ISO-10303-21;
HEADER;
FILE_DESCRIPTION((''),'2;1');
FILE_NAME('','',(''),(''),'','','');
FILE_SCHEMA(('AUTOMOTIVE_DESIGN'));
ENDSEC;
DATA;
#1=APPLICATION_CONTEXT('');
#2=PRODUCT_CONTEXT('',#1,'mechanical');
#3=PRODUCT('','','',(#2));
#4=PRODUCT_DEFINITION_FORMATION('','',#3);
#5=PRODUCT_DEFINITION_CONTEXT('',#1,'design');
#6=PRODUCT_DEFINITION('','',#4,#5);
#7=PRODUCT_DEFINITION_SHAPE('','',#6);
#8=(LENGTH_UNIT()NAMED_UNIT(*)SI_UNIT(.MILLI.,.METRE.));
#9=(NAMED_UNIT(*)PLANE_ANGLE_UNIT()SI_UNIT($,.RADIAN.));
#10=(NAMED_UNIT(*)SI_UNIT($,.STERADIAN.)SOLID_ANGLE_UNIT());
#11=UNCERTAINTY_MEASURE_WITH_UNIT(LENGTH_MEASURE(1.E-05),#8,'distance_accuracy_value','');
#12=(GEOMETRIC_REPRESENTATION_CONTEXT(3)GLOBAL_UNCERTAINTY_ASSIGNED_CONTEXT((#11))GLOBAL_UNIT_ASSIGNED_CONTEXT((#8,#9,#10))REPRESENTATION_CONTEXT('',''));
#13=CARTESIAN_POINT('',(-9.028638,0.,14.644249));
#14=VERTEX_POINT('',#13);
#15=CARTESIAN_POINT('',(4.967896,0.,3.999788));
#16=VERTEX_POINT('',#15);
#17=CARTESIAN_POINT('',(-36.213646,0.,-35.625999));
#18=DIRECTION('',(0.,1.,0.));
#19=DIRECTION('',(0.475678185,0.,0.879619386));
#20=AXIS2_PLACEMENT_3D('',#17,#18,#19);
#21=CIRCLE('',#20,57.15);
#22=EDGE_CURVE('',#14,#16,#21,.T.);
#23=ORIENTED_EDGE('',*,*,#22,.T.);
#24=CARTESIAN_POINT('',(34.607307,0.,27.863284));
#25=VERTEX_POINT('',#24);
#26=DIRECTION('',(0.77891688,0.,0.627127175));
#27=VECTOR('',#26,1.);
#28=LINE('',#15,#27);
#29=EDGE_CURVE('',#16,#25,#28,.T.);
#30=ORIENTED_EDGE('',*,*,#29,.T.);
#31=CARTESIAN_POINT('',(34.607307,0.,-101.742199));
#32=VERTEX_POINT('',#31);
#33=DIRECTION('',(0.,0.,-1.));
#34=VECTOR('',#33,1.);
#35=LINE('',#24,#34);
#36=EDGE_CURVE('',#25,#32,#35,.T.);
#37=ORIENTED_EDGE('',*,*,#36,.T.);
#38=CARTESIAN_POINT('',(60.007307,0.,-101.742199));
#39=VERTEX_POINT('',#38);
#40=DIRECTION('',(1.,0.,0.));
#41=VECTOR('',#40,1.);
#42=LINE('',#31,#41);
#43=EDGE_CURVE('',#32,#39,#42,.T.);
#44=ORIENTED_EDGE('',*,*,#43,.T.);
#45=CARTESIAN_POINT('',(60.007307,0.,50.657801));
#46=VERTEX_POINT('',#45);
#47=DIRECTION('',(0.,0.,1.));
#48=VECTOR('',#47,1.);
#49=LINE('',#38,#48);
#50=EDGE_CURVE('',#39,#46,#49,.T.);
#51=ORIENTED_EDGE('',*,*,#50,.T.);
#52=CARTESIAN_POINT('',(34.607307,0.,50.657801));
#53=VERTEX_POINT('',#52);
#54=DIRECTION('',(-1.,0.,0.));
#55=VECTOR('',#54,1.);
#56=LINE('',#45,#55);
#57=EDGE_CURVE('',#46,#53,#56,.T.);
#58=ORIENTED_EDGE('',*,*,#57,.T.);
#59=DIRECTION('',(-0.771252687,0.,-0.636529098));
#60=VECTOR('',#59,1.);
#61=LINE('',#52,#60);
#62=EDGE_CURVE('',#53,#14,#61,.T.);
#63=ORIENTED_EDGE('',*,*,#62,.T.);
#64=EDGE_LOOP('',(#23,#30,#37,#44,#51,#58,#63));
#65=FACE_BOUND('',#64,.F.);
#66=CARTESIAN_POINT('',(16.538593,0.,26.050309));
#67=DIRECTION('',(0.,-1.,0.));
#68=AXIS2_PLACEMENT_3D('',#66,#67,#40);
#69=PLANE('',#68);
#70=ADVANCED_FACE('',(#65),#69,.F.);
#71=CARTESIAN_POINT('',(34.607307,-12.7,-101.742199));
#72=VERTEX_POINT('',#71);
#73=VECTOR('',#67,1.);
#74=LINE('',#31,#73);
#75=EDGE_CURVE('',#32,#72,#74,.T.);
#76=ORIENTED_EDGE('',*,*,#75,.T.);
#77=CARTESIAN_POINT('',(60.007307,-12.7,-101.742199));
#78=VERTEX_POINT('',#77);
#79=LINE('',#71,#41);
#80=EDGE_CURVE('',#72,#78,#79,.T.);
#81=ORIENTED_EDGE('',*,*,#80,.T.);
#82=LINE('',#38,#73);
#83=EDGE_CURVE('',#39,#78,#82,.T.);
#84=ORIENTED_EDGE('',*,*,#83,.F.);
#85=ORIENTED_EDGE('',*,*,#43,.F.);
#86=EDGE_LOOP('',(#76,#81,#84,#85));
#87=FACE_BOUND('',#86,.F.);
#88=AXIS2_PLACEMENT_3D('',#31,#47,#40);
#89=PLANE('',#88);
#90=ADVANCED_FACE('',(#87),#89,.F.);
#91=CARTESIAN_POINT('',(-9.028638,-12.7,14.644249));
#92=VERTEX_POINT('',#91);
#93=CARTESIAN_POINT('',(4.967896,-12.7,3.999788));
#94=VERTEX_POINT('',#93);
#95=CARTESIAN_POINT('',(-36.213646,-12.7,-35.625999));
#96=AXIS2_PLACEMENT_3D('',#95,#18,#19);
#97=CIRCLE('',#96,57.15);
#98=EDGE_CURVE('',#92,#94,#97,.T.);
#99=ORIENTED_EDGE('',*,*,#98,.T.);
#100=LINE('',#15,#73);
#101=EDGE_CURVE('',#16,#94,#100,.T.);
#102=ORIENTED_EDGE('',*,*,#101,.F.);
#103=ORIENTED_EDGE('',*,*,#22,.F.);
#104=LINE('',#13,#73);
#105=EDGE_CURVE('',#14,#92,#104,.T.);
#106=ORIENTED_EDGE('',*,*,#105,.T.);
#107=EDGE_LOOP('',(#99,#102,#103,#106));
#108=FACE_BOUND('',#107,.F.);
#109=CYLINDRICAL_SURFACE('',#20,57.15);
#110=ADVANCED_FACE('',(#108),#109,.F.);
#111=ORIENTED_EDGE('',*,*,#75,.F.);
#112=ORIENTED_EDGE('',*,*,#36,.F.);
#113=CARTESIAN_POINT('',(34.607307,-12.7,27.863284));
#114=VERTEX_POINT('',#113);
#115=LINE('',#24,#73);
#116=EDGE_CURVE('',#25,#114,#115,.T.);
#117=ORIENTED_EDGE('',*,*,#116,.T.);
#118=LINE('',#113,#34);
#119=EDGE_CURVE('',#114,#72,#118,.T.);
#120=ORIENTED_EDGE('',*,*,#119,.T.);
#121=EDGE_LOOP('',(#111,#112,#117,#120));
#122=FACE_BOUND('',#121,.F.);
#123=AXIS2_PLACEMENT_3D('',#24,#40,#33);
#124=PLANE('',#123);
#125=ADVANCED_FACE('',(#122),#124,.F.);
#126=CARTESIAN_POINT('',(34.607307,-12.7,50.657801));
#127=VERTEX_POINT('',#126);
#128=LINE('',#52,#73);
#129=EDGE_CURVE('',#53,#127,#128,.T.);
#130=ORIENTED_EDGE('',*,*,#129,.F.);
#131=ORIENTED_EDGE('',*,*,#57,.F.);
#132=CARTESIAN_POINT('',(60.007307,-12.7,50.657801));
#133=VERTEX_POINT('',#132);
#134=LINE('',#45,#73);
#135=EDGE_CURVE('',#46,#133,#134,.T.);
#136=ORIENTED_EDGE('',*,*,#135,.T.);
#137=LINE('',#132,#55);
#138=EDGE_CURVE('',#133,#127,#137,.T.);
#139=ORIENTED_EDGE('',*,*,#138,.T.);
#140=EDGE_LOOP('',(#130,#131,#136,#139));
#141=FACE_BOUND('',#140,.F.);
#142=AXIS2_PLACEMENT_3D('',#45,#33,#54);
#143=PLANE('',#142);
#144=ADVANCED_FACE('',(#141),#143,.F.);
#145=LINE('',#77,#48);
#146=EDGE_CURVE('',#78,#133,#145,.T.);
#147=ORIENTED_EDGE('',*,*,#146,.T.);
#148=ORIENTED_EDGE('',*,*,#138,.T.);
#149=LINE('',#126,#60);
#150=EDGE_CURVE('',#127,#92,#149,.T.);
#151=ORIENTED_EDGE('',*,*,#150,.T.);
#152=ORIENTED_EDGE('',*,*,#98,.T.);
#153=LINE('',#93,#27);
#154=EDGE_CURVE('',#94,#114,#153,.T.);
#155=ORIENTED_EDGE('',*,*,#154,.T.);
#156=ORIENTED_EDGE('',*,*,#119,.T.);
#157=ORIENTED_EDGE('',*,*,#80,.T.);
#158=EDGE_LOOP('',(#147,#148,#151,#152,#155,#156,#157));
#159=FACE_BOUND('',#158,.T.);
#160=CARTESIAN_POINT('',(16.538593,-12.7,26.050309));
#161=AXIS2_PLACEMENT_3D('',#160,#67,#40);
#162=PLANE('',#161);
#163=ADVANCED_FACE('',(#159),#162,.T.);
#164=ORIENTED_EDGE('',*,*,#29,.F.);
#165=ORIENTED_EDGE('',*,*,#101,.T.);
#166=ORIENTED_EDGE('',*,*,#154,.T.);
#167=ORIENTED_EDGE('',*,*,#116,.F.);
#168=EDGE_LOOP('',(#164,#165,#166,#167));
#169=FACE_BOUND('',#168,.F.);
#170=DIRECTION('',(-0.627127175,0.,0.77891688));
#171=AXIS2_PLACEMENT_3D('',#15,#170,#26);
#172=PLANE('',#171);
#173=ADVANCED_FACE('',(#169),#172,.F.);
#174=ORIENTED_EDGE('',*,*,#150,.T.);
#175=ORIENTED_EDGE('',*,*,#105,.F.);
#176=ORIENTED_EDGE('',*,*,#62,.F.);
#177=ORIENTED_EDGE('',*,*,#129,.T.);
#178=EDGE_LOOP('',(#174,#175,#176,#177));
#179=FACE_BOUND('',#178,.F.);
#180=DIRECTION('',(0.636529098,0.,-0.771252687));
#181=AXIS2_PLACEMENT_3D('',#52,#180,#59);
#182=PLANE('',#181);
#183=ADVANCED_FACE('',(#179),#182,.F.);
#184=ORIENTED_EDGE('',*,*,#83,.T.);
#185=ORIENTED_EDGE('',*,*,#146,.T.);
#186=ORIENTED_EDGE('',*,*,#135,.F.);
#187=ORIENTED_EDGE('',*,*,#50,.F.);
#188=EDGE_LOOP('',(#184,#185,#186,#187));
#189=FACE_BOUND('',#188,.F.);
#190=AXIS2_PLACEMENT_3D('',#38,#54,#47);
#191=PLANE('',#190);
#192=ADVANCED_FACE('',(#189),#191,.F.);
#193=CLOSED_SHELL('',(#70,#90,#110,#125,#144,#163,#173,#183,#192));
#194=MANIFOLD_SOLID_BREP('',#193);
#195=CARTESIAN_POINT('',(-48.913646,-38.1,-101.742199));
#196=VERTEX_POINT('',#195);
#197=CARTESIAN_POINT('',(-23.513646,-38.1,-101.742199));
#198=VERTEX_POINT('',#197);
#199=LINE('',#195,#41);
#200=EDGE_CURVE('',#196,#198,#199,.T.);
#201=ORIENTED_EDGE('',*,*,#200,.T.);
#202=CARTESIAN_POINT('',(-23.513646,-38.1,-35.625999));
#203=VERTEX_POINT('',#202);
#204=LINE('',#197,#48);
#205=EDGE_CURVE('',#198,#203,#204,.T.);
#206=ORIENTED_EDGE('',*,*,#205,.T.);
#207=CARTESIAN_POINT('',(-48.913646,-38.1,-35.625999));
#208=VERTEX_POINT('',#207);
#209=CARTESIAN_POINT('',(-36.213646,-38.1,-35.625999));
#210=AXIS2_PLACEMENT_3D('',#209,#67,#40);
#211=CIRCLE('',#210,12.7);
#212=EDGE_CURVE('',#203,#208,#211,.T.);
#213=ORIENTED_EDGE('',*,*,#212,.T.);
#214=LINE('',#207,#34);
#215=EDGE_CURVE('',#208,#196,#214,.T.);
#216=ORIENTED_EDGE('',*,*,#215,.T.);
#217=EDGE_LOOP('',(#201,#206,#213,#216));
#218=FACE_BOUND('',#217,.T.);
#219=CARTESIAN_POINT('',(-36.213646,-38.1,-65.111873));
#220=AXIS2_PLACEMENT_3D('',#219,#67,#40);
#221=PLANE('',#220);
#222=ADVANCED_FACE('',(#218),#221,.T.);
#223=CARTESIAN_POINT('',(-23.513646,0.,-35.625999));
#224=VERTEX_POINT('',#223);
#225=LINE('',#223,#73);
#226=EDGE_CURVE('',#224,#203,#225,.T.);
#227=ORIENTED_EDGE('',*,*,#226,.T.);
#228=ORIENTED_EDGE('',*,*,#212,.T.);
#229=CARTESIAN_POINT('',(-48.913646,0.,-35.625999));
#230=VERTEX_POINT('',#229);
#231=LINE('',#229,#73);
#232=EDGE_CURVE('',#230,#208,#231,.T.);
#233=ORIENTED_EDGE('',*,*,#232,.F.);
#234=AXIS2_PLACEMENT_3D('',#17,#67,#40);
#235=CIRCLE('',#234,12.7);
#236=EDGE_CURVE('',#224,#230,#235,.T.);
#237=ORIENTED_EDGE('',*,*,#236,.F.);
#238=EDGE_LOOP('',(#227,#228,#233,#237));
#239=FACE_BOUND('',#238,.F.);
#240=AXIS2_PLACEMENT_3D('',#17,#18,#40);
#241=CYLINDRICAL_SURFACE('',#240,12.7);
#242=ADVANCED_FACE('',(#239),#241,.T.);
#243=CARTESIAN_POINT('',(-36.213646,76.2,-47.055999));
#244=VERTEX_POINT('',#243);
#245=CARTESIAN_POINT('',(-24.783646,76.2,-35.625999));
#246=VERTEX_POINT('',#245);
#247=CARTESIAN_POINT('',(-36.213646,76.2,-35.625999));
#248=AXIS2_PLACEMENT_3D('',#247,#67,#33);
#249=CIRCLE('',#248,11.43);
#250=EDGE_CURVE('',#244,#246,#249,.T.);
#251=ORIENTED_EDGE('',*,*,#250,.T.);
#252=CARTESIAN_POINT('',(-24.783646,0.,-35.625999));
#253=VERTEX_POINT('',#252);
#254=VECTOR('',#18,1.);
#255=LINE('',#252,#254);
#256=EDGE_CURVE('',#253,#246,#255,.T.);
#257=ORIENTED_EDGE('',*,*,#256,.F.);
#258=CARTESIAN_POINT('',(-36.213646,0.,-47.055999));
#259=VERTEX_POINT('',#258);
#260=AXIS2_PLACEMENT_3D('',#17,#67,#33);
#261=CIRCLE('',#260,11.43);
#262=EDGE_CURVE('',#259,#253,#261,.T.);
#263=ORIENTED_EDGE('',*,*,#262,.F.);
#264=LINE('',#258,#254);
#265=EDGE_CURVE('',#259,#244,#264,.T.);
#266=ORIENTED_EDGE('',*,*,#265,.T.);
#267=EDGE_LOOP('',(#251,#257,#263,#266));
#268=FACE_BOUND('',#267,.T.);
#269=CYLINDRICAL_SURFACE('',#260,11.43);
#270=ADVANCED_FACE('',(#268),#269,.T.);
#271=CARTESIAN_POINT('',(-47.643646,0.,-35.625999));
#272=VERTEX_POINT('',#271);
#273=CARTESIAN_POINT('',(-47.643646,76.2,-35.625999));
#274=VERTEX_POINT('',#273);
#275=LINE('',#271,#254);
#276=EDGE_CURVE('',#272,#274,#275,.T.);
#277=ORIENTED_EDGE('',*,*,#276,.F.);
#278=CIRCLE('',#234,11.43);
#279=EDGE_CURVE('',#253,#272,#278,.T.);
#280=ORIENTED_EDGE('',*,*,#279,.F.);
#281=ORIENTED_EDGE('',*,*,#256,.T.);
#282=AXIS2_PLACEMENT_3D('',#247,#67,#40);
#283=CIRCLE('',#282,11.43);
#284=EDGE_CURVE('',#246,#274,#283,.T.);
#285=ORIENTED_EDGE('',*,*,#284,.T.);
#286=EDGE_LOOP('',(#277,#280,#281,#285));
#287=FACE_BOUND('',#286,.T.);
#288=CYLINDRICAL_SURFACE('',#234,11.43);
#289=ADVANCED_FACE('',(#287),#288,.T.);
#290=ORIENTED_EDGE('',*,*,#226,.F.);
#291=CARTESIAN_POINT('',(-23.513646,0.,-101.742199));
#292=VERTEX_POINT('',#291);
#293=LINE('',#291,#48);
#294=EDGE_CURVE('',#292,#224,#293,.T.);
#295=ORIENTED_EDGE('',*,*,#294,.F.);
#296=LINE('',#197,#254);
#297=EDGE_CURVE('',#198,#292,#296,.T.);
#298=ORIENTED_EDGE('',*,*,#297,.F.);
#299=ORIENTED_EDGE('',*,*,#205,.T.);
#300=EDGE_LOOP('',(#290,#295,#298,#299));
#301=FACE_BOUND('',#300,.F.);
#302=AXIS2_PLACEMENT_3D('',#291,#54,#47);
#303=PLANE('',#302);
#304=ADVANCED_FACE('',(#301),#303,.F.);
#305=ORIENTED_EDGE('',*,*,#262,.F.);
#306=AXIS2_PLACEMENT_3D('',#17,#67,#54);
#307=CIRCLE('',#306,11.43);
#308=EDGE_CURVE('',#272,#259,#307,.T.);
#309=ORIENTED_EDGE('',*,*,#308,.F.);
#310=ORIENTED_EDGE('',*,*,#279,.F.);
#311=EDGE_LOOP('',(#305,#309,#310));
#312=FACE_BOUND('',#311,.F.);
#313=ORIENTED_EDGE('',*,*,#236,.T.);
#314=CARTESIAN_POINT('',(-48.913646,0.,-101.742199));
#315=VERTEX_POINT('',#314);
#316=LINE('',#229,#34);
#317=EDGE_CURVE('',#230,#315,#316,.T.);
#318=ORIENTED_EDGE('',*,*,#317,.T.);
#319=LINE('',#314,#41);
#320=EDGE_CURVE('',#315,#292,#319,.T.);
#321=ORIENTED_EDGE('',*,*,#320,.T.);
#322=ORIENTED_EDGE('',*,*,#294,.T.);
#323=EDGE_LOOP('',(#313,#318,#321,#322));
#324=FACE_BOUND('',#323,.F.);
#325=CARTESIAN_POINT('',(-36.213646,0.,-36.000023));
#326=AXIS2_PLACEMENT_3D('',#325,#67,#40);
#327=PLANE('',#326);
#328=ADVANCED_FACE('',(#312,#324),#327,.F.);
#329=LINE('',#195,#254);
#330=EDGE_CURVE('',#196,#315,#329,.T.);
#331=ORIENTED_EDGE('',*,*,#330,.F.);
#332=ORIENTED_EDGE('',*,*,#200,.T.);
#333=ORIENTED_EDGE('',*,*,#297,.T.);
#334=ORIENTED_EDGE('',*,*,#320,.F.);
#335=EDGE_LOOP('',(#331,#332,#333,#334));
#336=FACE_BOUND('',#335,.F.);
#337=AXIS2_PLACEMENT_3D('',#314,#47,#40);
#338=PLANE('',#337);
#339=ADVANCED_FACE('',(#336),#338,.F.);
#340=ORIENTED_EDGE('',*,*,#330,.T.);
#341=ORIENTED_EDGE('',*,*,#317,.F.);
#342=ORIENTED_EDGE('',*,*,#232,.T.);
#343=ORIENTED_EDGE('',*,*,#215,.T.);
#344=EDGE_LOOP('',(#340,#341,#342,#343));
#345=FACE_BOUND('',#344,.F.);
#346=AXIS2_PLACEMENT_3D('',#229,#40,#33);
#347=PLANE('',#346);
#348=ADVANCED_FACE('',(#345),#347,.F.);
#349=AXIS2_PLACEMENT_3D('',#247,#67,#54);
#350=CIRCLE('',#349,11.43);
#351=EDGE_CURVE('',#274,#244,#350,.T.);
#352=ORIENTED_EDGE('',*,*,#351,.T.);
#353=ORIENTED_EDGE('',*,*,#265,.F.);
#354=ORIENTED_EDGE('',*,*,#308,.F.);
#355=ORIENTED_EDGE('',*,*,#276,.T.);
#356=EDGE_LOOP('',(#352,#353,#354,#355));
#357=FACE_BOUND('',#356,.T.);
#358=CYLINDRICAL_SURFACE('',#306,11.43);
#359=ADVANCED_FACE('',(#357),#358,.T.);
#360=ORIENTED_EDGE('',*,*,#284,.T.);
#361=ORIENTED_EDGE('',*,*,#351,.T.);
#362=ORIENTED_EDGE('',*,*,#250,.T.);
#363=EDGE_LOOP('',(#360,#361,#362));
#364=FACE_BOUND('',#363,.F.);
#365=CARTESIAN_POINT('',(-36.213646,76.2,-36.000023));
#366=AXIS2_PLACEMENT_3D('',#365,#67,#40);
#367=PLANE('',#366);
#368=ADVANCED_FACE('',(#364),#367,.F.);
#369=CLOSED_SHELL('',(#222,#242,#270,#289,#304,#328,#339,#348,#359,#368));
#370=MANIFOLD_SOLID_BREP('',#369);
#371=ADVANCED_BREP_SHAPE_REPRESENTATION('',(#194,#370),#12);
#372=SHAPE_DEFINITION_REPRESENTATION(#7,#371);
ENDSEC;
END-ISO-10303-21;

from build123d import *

# Parameters (mm, degrees)
F1_DEPTH      = 12.7
F1_FACE_R     = 11.43
F2_DEPTH      = 25.4
F3_DEPTH      = 38.1
F3_DEPTH_BACK = 76.2


with BuildPart() as f1:
    # F0 (on Front) → F1 (new body)
    with BuildSketch(Plane.XZ):
        with BuildLine():
            Line((-36.2136464912, -101.742199043), (-23.5136464912, -101.742199043))
            Line((-23.5136464912, -101.742199043), (-23.5136464912, -84.8128875398))
            ThreePointArc((-23.5136464912, -84.8128875398), (-29.8126284331, -86.0211076134), (-36.2136464912, -86.425999043))
            Line((-36.2136464912, -86.425999043), (-36.2136464912, -101.742199043))
        make_face()
        with BuildLine():
            Line((-48.9136464912, -101.742199043), (-36.2136464912, -101.742199043))
            Line((-36.2136464912, -101.742199043), (-36.2136464912, -86.425999043))
            ThreePointArc((-36.2136464912, -86.425999043), (-42.6146645493, -86.0211076134), (-48.9136464912, -84.8128875398))
            Line((-48.9136464912, -84.8128875398), (-48.9136464912, -101.742199043))
        make_face()
        with BuildLine():
            ThreePointArc((-36.2136464912, -86.425999043), (-29.8126284331, -86.0211076134), (-23.5136464912, -84.8128875398))
            Line((-23.5136464912, -84.8128875398), (-23.5136464912, -35.625999043))
            ThreePointArc((-23.5136464912, -35.625999043), (-27.2333903701, -44.606255164), (-36.2136464912, -48.325999043))
            Line((-36.2136464912, -48.325999043), (-36.2136464912, -86.425999043))
        make_face()
        with BuildLine():
            ThreePointArc((-48.9136464912, -84.8128875398), (-42.6146645493, -86.0211076134), (-36.2136464912, -86.425999043))
            Line((-36.2136464912, -86.425999043), (-36.2136464912, -48.325999043))
            ThreePointArc((-36.2136464912, -48.325999043), (-45.1939026123, -44.606255164), (-48.9136464912, -35.625999043))
            Line((-48.9136464912, -35.625999043), (-48.9136464912, -84.8128875398))
        make_face()
        with BuildLine():
            Line((-24.7836464912, -35.625999043), (-23.5136464912, -35.625999043))
            ThreePointArc((-23.5136464912, -35.625999043), (-36.2136464912, -22.925999043), (-48.9136464912, -35.625999043))
            Line((-48.9136464912, -35.625999043), (-47.6436464912, -35.625999043))
            ThreePointArc((-47.6436464912, -35.625999043), (-36.2136464912, -24.195999043), (-24.7836464912, -35.625999043))
        make_face()
        with BuildLine():
            ThreePointArc((-36.2136464912, -48.325999043), (-27.2333903701, -44.606255164), (-23.5136464912, -35.625999043))
            Line((-23.5136464912, -35.625999043), (-24.7836464912, -35.625999043))
            ThreePointArc((-24.7836464912, -35.625999043), (-28.1314159822, -43.7082295519), (-36.2136464912, -47.055999043))
            Line((-36.2136464912, -47.055999043), (-36.2136464912, -48.325999043))
        make_face()
        with BuildLine():
            ThreePointArc((-48.9136464912, -35.625999043), (-45.1939026123, -44.606255164), (-36.2136464912, -48.325999043))
            Line((-36.2136464912, -48.325999043), (-36.2136464912, -47.055999043))
            ThreePointArc((-36.2136464912, -47.055999043), (-44.2958770002, -43.7082295519), (-47.6436464912, -35.625999043))
            Line((-47.6436464912, -35.625999043), (-48.9136464912, -35.625999043))
        make_face()
    extrude(amount=F1_DEPTH)

    # F0 (on Front) + F1_face (on face) → F2 (join)
    with BuildSketch(Plane.XZ):
        with BuildLine():
            Line((-48.9136464912, -101.742199043), (-36.2136464912, -101.742199043))
            Line((-36.2136464912, -101.742199043), (-36.2136464912, -86.425999043))
            ThreePointArc((-36.2136464912, -86.425999043), (-42.6146645493, -86.0211076134), (-48.9136464912, -84.8128875398))
            Line((-48.9136464912, -84.8128875398), (-48.9136464912, -101.742199043))
        make_face()
        with BuildLine():
            Line((-36.2136464912, -101.742199043), (-23.5136464912, -101.742199043))
            Line((-23.5136464912, -101.742199043), (-23.5136464912, -84.8128875398))
            ThreePointArc((-23.5136464912, -84.8128875398), (-29.8126284331, -86.0211076134), (-36.2136464912, -86.425999043))
            Line((-36.2136464912, -86.425999043), (-36.2136464912, -101.742199043))
        make_face()
        with BuildLine():
            ThreePointArc((-36.2136464912, -86.425999043), (-29.8126284331, -86.0211076134), (-23.5136464912, -84.8128875398))
            Line((-23.5136464912, -84.8128875398), (-23.5136464912, -35.625999043))
            ThreePointArc((-23.5136464912, -35.625999043), (-27.2333903701, -44.606255164), (-36.2136464912, -48.325999043))
            Line((-36.2136464912, -48.325999043), (-36.2136464912, -86.425999043))
        make_face()
        with BuildLine():
            ThreePointArc((-48.9136464912, -84.8128875398), (-42.6146645493, -86.0211076134), (-36.2136464912, -86.425999043))
            Line((-36.2136464912, -86.425999043), (-36.2136464912, -48.325999043))
            ThreePointArc((-36.2136464912, -48.325999043), (-45.1939026123, -44.606255164), (-48.9136464912, -35.625999043))
            Line((-48.9136464912, -35.625999043), (-48.9136464912, -84.8128875398))
        make_face()
        with BuildLine():
            ThreePointArc((-48.9136464912, -35.625999043), (-45.1939026123, -44.606255164), (-36.2136464912, -48.325999043))
            Line((-36.2136464912, -48.325999043), (-36.2136464912, -47.055999043))
            ThreePointArc((-36.2136464912, -47.055999043), (-44.2958770002, -43.7082295519), (-47.6436464912, -35.625999043))
            Line((-47.6436464912, -35.625999043), (-48.9136464912, -35.625999043))
        make_face()
        with BuildLine():
            ThreePointArc((-36.2136464912, -48.325999043), (-27.2333903701, -44.606255164), (-23.5136464912, -35.625999043))
            Line((-23.5136464912, -35.625999043), (-24.7836464912, -35.625999043))
            ThreePointArc((-24.7836464912, -35.625999043), (-28.1314159822, -43.7082295519), (-36.2136464912, -47.055999043))
            Line((-36.2136464912, -47.055999043), (-36.2136464912, -48.325999043))
        make_face()
    with BuildSketch(Plane(origin=(-36.2136464912, -12.7, -71.1982060797), x_dir=(1, 0, 0), z_dir=(0, -1, 0))):
        with BuildLine():
            ThreePointArc((12.7, 35.5722070367), (0, 48.2722070367), (-12.7, 35.5722070367))
            Line((-12.7, 35.5722070367), (-12.7, -30.5439929633))
            Line((-12.7, -30.5439929633), (12.7, -30.5439929633))
            Line((12.7, -30.5439929633), (12.7, 35.5722070367))
        make_face()
        with Locations((0, 35.5722070367)):
            Circle(F1_FACE_R, mode=Mode.SUBTRACT)
    extrude(amount=F2_DEPTH)

    # F0 (on Front) → F3 (join, two sides)
    with BuildSketch(Plane.XZ) as f3_sk:
        with BuildLine():
            ThreePointArc((-36.2136464912, -47.055999043), (-28.1314159822, -43.7082295519), (-24.7836464912, -35.625999043))
            ThreePointArc((-24.7836464912, -35.625999043), (-36.2136464912, -24.195999043), (-47.6436464912, -35.625999043))
            ThreePointArc((-47.6436464912, -35.625999043), (-44.2958770002, -43.7082295519), (-36.2136464912, -47.055999043))
        make_face()
    extrude(amount=F3_DEPTH)
    extrude(f3_sk.sketch, amount=-F3_DEPTH_BACK)


with BuildPart() as f1b:
    # F0 (on Front) → F1, piece 2 (new body)
    with BuildSketch(Plane.XZ):
        with BuildLine():
            Line((34.6073068906, 50.657800957), (-9.0286382413, 14.6442488821))
            ThreePointArc((-9.0286382413, 14.6442488821), (-1.6185245989, 9.8635606522), (4.9678962719, 3.9997884653))
            Line((4.9678962719, 3.9997884653), (34.6073068906, 27.8632844451))
            Line((34.6073068906, 27.8632844451), (34.6073068906, 50.657800957))
        make_face()
        Polygon((60.0073068906, 50.657800957), (34.6073068906, 50.657800957), (34.6073068906, 27.8632844451), (34.6073068906, -101.742199043), (60.0073068906, -101.742199043), align=None)
    extrude(amount=F1_DEPTH)


solid = Compound([f1.part, f1b.part])
